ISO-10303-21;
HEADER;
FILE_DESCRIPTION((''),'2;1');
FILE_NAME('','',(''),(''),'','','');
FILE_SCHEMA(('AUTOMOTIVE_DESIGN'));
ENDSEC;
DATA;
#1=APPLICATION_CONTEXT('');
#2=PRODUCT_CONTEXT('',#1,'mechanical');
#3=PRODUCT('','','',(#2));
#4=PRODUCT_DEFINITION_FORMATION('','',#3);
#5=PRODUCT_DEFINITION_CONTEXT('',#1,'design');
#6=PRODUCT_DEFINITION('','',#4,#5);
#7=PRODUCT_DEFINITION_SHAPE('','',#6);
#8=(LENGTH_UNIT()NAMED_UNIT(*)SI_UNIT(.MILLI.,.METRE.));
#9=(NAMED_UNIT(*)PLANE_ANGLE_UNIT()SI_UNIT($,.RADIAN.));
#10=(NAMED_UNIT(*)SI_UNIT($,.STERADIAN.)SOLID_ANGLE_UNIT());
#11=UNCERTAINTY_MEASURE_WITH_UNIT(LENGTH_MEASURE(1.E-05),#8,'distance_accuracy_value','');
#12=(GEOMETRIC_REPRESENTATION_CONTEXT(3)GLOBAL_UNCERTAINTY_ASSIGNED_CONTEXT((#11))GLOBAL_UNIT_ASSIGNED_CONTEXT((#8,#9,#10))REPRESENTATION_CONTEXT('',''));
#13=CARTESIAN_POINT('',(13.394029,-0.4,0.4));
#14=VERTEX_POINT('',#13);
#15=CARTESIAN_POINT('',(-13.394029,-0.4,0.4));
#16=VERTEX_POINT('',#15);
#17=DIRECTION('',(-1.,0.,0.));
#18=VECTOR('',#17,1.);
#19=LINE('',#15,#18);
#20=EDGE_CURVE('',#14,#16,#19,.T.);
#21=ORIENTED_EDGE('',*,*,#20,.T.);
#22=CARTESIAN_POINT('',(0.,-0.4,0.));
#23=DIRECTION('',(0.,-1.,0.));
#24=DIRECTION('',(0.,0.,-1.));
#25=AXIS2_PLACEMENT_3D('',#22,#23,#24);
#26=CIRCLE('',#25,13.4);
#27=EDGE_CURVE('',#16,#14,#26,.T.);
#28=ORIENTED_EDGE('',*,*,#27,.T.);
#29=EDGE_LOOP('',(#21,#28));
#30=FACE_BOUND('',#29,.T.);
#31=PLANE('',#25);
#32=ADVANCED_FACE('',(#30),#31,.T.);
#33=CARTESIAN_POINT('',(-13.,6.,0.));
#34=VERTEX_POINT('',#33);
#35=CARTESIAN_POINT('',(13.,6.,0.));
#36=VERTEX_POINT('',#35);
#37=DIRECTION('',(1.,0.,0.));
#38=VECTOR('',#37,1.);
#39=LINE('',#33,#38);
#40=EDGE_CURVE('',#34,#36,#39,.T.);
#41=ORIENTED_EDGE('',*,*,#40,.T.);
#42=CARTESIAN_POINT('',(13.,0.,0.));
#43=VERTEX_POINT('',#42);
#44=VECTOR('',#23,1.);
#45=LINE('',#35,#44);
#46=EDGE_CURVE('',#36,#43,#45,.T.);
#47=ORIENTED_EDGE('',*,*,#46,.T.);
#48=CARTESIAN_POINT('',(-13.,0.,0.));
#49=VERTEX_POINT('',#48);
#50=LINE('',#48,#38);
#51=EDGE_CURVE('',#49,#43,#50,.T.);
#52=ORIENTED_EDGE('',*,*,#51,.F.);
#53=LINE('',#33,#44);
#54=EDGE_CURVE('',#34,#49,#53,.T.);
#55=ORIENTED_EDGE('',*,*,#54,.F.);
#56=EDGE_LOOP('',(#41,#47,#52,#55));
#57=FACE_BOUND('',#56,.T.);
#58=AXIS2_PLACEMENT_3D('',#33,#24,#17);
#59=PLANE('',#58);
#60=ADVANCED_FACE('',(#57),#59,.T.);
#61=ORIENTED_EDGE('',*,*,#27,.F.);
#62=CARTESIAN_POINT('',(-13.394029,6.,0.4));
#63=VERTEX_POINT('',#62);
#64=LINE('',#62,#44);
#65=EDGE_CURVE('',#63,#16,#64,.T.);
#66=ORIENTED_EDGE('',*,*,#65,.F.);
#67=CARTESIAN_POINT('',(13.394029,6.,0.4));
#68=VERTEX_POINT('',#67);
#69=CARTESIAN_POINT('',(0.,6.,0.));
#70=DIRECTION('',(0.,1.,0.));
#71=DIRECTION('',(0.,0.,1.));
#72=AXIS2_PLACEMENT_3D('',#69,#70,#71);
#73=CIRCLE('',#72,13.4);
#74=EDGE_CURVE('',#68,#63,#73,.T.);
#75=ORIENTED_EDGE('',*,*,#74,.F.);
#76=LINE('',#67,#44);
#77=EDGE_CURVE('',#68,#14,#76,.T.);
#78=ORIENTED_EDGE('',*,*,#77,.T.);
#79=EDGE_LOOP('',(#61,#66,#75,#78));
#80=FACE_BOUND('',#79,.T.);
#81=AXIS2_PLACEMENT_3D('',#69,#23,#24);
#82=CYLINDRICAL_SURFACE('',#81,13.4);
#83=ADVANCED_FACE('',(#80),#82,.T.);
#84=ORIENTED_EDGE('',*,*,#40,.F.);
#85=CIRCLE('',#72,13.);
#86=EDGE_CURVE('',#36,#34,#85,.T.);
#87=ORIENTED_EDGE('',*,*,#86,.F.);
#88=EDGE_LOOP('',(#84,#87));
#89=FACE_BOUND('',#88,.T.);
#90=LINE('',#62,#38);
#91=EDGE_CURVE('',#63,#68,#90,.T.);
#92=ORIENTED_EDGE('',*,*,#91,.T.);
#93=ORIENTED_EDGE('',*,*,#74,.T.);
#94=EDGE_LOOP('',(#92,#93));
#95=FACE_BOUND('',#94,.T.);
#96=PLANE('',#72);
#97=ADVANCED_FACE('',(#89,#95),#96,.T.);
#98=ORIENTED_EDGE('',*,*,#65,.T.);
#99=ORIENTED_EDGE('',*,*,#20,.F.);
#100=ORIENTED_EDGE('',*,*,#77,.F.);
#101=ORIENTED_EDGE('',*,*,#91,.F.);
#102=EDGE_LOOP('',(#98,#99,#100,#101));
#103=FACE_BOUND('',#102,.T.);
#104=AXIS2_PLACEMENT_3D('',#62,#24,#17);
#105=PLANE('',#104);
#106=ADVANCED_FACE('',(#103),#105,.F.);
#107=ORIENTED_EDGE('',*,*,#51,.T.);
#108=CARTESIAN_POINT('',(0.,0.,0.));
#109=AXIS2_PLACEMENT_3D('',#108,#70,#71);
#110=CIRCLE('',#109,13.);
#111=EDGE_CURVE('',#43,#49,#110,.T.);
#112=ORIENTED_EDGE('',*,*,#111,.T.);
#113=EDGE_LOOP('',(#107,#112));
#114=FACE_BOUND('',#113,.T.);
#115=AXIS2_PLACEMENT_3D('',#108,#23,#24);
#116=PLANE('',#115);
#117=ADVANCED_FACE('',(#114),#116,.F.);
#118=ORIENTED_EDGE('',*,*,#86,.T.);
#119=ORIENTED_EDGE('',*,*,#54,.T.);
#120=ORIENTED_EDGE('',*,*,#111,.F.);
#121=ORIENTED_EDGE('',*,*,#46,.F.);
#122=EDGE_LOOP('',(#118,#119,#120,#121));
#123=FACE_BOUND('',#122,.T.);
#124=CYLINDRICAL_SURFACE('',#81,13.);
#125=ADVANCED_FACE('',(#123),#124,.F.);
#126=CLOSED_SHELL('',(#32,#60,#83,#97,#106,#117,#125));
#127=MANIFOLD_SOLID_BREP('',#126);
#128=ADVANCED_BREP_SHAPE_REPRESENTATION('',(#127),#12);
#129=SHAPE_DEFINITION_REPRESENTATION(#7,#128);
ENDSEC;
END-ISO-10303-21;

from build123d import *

# Parameters (mm, degrees)
BOSS_EXTRUDE2_DEPTH = 6
BOSS_EXTRUDE3_DEPTH = 0.4


with BuildPart() as part:
    # Sketch3 → Boss-Extrude2 (new body)
    with BuildSketch(Plane(origin=(0, 0, 0), x_dir=(1, 0, 0), z_dir=(0, 1, 0))):
        with BuildLine():
            Line((-13.39402852, -0.4), (13.39402852, -0.4))
            ThreePointArc((13.39402852, -0.4), (0, 13.4), (-13.39402852, -0.4))
        make_face()
        with BuildLine():
            Line((-13, 0), (13, 0))
            ThreePointArc((13, 0), (0, 13), (-13, 0))
        make_face(mode=Mode.SUBTRACT)
    extrude(amount=BOSS_EXTRUDE2_DEPTH)

    # Sketch4 → Boss-Extrude3 (add)
    with BuildSketch(Plane.XZ):
        with BuildLine():
            Line((-13.39402852, 0.4), (13.39402852, 0.4))
            ThreePointArc((13.39402852, 0.4), (0, -13.4), (-13.39402852, 0.4))
        make_face()
    extrude(amount=BOSS_EXTRUDE3_DEPTH)


solid = part.part
